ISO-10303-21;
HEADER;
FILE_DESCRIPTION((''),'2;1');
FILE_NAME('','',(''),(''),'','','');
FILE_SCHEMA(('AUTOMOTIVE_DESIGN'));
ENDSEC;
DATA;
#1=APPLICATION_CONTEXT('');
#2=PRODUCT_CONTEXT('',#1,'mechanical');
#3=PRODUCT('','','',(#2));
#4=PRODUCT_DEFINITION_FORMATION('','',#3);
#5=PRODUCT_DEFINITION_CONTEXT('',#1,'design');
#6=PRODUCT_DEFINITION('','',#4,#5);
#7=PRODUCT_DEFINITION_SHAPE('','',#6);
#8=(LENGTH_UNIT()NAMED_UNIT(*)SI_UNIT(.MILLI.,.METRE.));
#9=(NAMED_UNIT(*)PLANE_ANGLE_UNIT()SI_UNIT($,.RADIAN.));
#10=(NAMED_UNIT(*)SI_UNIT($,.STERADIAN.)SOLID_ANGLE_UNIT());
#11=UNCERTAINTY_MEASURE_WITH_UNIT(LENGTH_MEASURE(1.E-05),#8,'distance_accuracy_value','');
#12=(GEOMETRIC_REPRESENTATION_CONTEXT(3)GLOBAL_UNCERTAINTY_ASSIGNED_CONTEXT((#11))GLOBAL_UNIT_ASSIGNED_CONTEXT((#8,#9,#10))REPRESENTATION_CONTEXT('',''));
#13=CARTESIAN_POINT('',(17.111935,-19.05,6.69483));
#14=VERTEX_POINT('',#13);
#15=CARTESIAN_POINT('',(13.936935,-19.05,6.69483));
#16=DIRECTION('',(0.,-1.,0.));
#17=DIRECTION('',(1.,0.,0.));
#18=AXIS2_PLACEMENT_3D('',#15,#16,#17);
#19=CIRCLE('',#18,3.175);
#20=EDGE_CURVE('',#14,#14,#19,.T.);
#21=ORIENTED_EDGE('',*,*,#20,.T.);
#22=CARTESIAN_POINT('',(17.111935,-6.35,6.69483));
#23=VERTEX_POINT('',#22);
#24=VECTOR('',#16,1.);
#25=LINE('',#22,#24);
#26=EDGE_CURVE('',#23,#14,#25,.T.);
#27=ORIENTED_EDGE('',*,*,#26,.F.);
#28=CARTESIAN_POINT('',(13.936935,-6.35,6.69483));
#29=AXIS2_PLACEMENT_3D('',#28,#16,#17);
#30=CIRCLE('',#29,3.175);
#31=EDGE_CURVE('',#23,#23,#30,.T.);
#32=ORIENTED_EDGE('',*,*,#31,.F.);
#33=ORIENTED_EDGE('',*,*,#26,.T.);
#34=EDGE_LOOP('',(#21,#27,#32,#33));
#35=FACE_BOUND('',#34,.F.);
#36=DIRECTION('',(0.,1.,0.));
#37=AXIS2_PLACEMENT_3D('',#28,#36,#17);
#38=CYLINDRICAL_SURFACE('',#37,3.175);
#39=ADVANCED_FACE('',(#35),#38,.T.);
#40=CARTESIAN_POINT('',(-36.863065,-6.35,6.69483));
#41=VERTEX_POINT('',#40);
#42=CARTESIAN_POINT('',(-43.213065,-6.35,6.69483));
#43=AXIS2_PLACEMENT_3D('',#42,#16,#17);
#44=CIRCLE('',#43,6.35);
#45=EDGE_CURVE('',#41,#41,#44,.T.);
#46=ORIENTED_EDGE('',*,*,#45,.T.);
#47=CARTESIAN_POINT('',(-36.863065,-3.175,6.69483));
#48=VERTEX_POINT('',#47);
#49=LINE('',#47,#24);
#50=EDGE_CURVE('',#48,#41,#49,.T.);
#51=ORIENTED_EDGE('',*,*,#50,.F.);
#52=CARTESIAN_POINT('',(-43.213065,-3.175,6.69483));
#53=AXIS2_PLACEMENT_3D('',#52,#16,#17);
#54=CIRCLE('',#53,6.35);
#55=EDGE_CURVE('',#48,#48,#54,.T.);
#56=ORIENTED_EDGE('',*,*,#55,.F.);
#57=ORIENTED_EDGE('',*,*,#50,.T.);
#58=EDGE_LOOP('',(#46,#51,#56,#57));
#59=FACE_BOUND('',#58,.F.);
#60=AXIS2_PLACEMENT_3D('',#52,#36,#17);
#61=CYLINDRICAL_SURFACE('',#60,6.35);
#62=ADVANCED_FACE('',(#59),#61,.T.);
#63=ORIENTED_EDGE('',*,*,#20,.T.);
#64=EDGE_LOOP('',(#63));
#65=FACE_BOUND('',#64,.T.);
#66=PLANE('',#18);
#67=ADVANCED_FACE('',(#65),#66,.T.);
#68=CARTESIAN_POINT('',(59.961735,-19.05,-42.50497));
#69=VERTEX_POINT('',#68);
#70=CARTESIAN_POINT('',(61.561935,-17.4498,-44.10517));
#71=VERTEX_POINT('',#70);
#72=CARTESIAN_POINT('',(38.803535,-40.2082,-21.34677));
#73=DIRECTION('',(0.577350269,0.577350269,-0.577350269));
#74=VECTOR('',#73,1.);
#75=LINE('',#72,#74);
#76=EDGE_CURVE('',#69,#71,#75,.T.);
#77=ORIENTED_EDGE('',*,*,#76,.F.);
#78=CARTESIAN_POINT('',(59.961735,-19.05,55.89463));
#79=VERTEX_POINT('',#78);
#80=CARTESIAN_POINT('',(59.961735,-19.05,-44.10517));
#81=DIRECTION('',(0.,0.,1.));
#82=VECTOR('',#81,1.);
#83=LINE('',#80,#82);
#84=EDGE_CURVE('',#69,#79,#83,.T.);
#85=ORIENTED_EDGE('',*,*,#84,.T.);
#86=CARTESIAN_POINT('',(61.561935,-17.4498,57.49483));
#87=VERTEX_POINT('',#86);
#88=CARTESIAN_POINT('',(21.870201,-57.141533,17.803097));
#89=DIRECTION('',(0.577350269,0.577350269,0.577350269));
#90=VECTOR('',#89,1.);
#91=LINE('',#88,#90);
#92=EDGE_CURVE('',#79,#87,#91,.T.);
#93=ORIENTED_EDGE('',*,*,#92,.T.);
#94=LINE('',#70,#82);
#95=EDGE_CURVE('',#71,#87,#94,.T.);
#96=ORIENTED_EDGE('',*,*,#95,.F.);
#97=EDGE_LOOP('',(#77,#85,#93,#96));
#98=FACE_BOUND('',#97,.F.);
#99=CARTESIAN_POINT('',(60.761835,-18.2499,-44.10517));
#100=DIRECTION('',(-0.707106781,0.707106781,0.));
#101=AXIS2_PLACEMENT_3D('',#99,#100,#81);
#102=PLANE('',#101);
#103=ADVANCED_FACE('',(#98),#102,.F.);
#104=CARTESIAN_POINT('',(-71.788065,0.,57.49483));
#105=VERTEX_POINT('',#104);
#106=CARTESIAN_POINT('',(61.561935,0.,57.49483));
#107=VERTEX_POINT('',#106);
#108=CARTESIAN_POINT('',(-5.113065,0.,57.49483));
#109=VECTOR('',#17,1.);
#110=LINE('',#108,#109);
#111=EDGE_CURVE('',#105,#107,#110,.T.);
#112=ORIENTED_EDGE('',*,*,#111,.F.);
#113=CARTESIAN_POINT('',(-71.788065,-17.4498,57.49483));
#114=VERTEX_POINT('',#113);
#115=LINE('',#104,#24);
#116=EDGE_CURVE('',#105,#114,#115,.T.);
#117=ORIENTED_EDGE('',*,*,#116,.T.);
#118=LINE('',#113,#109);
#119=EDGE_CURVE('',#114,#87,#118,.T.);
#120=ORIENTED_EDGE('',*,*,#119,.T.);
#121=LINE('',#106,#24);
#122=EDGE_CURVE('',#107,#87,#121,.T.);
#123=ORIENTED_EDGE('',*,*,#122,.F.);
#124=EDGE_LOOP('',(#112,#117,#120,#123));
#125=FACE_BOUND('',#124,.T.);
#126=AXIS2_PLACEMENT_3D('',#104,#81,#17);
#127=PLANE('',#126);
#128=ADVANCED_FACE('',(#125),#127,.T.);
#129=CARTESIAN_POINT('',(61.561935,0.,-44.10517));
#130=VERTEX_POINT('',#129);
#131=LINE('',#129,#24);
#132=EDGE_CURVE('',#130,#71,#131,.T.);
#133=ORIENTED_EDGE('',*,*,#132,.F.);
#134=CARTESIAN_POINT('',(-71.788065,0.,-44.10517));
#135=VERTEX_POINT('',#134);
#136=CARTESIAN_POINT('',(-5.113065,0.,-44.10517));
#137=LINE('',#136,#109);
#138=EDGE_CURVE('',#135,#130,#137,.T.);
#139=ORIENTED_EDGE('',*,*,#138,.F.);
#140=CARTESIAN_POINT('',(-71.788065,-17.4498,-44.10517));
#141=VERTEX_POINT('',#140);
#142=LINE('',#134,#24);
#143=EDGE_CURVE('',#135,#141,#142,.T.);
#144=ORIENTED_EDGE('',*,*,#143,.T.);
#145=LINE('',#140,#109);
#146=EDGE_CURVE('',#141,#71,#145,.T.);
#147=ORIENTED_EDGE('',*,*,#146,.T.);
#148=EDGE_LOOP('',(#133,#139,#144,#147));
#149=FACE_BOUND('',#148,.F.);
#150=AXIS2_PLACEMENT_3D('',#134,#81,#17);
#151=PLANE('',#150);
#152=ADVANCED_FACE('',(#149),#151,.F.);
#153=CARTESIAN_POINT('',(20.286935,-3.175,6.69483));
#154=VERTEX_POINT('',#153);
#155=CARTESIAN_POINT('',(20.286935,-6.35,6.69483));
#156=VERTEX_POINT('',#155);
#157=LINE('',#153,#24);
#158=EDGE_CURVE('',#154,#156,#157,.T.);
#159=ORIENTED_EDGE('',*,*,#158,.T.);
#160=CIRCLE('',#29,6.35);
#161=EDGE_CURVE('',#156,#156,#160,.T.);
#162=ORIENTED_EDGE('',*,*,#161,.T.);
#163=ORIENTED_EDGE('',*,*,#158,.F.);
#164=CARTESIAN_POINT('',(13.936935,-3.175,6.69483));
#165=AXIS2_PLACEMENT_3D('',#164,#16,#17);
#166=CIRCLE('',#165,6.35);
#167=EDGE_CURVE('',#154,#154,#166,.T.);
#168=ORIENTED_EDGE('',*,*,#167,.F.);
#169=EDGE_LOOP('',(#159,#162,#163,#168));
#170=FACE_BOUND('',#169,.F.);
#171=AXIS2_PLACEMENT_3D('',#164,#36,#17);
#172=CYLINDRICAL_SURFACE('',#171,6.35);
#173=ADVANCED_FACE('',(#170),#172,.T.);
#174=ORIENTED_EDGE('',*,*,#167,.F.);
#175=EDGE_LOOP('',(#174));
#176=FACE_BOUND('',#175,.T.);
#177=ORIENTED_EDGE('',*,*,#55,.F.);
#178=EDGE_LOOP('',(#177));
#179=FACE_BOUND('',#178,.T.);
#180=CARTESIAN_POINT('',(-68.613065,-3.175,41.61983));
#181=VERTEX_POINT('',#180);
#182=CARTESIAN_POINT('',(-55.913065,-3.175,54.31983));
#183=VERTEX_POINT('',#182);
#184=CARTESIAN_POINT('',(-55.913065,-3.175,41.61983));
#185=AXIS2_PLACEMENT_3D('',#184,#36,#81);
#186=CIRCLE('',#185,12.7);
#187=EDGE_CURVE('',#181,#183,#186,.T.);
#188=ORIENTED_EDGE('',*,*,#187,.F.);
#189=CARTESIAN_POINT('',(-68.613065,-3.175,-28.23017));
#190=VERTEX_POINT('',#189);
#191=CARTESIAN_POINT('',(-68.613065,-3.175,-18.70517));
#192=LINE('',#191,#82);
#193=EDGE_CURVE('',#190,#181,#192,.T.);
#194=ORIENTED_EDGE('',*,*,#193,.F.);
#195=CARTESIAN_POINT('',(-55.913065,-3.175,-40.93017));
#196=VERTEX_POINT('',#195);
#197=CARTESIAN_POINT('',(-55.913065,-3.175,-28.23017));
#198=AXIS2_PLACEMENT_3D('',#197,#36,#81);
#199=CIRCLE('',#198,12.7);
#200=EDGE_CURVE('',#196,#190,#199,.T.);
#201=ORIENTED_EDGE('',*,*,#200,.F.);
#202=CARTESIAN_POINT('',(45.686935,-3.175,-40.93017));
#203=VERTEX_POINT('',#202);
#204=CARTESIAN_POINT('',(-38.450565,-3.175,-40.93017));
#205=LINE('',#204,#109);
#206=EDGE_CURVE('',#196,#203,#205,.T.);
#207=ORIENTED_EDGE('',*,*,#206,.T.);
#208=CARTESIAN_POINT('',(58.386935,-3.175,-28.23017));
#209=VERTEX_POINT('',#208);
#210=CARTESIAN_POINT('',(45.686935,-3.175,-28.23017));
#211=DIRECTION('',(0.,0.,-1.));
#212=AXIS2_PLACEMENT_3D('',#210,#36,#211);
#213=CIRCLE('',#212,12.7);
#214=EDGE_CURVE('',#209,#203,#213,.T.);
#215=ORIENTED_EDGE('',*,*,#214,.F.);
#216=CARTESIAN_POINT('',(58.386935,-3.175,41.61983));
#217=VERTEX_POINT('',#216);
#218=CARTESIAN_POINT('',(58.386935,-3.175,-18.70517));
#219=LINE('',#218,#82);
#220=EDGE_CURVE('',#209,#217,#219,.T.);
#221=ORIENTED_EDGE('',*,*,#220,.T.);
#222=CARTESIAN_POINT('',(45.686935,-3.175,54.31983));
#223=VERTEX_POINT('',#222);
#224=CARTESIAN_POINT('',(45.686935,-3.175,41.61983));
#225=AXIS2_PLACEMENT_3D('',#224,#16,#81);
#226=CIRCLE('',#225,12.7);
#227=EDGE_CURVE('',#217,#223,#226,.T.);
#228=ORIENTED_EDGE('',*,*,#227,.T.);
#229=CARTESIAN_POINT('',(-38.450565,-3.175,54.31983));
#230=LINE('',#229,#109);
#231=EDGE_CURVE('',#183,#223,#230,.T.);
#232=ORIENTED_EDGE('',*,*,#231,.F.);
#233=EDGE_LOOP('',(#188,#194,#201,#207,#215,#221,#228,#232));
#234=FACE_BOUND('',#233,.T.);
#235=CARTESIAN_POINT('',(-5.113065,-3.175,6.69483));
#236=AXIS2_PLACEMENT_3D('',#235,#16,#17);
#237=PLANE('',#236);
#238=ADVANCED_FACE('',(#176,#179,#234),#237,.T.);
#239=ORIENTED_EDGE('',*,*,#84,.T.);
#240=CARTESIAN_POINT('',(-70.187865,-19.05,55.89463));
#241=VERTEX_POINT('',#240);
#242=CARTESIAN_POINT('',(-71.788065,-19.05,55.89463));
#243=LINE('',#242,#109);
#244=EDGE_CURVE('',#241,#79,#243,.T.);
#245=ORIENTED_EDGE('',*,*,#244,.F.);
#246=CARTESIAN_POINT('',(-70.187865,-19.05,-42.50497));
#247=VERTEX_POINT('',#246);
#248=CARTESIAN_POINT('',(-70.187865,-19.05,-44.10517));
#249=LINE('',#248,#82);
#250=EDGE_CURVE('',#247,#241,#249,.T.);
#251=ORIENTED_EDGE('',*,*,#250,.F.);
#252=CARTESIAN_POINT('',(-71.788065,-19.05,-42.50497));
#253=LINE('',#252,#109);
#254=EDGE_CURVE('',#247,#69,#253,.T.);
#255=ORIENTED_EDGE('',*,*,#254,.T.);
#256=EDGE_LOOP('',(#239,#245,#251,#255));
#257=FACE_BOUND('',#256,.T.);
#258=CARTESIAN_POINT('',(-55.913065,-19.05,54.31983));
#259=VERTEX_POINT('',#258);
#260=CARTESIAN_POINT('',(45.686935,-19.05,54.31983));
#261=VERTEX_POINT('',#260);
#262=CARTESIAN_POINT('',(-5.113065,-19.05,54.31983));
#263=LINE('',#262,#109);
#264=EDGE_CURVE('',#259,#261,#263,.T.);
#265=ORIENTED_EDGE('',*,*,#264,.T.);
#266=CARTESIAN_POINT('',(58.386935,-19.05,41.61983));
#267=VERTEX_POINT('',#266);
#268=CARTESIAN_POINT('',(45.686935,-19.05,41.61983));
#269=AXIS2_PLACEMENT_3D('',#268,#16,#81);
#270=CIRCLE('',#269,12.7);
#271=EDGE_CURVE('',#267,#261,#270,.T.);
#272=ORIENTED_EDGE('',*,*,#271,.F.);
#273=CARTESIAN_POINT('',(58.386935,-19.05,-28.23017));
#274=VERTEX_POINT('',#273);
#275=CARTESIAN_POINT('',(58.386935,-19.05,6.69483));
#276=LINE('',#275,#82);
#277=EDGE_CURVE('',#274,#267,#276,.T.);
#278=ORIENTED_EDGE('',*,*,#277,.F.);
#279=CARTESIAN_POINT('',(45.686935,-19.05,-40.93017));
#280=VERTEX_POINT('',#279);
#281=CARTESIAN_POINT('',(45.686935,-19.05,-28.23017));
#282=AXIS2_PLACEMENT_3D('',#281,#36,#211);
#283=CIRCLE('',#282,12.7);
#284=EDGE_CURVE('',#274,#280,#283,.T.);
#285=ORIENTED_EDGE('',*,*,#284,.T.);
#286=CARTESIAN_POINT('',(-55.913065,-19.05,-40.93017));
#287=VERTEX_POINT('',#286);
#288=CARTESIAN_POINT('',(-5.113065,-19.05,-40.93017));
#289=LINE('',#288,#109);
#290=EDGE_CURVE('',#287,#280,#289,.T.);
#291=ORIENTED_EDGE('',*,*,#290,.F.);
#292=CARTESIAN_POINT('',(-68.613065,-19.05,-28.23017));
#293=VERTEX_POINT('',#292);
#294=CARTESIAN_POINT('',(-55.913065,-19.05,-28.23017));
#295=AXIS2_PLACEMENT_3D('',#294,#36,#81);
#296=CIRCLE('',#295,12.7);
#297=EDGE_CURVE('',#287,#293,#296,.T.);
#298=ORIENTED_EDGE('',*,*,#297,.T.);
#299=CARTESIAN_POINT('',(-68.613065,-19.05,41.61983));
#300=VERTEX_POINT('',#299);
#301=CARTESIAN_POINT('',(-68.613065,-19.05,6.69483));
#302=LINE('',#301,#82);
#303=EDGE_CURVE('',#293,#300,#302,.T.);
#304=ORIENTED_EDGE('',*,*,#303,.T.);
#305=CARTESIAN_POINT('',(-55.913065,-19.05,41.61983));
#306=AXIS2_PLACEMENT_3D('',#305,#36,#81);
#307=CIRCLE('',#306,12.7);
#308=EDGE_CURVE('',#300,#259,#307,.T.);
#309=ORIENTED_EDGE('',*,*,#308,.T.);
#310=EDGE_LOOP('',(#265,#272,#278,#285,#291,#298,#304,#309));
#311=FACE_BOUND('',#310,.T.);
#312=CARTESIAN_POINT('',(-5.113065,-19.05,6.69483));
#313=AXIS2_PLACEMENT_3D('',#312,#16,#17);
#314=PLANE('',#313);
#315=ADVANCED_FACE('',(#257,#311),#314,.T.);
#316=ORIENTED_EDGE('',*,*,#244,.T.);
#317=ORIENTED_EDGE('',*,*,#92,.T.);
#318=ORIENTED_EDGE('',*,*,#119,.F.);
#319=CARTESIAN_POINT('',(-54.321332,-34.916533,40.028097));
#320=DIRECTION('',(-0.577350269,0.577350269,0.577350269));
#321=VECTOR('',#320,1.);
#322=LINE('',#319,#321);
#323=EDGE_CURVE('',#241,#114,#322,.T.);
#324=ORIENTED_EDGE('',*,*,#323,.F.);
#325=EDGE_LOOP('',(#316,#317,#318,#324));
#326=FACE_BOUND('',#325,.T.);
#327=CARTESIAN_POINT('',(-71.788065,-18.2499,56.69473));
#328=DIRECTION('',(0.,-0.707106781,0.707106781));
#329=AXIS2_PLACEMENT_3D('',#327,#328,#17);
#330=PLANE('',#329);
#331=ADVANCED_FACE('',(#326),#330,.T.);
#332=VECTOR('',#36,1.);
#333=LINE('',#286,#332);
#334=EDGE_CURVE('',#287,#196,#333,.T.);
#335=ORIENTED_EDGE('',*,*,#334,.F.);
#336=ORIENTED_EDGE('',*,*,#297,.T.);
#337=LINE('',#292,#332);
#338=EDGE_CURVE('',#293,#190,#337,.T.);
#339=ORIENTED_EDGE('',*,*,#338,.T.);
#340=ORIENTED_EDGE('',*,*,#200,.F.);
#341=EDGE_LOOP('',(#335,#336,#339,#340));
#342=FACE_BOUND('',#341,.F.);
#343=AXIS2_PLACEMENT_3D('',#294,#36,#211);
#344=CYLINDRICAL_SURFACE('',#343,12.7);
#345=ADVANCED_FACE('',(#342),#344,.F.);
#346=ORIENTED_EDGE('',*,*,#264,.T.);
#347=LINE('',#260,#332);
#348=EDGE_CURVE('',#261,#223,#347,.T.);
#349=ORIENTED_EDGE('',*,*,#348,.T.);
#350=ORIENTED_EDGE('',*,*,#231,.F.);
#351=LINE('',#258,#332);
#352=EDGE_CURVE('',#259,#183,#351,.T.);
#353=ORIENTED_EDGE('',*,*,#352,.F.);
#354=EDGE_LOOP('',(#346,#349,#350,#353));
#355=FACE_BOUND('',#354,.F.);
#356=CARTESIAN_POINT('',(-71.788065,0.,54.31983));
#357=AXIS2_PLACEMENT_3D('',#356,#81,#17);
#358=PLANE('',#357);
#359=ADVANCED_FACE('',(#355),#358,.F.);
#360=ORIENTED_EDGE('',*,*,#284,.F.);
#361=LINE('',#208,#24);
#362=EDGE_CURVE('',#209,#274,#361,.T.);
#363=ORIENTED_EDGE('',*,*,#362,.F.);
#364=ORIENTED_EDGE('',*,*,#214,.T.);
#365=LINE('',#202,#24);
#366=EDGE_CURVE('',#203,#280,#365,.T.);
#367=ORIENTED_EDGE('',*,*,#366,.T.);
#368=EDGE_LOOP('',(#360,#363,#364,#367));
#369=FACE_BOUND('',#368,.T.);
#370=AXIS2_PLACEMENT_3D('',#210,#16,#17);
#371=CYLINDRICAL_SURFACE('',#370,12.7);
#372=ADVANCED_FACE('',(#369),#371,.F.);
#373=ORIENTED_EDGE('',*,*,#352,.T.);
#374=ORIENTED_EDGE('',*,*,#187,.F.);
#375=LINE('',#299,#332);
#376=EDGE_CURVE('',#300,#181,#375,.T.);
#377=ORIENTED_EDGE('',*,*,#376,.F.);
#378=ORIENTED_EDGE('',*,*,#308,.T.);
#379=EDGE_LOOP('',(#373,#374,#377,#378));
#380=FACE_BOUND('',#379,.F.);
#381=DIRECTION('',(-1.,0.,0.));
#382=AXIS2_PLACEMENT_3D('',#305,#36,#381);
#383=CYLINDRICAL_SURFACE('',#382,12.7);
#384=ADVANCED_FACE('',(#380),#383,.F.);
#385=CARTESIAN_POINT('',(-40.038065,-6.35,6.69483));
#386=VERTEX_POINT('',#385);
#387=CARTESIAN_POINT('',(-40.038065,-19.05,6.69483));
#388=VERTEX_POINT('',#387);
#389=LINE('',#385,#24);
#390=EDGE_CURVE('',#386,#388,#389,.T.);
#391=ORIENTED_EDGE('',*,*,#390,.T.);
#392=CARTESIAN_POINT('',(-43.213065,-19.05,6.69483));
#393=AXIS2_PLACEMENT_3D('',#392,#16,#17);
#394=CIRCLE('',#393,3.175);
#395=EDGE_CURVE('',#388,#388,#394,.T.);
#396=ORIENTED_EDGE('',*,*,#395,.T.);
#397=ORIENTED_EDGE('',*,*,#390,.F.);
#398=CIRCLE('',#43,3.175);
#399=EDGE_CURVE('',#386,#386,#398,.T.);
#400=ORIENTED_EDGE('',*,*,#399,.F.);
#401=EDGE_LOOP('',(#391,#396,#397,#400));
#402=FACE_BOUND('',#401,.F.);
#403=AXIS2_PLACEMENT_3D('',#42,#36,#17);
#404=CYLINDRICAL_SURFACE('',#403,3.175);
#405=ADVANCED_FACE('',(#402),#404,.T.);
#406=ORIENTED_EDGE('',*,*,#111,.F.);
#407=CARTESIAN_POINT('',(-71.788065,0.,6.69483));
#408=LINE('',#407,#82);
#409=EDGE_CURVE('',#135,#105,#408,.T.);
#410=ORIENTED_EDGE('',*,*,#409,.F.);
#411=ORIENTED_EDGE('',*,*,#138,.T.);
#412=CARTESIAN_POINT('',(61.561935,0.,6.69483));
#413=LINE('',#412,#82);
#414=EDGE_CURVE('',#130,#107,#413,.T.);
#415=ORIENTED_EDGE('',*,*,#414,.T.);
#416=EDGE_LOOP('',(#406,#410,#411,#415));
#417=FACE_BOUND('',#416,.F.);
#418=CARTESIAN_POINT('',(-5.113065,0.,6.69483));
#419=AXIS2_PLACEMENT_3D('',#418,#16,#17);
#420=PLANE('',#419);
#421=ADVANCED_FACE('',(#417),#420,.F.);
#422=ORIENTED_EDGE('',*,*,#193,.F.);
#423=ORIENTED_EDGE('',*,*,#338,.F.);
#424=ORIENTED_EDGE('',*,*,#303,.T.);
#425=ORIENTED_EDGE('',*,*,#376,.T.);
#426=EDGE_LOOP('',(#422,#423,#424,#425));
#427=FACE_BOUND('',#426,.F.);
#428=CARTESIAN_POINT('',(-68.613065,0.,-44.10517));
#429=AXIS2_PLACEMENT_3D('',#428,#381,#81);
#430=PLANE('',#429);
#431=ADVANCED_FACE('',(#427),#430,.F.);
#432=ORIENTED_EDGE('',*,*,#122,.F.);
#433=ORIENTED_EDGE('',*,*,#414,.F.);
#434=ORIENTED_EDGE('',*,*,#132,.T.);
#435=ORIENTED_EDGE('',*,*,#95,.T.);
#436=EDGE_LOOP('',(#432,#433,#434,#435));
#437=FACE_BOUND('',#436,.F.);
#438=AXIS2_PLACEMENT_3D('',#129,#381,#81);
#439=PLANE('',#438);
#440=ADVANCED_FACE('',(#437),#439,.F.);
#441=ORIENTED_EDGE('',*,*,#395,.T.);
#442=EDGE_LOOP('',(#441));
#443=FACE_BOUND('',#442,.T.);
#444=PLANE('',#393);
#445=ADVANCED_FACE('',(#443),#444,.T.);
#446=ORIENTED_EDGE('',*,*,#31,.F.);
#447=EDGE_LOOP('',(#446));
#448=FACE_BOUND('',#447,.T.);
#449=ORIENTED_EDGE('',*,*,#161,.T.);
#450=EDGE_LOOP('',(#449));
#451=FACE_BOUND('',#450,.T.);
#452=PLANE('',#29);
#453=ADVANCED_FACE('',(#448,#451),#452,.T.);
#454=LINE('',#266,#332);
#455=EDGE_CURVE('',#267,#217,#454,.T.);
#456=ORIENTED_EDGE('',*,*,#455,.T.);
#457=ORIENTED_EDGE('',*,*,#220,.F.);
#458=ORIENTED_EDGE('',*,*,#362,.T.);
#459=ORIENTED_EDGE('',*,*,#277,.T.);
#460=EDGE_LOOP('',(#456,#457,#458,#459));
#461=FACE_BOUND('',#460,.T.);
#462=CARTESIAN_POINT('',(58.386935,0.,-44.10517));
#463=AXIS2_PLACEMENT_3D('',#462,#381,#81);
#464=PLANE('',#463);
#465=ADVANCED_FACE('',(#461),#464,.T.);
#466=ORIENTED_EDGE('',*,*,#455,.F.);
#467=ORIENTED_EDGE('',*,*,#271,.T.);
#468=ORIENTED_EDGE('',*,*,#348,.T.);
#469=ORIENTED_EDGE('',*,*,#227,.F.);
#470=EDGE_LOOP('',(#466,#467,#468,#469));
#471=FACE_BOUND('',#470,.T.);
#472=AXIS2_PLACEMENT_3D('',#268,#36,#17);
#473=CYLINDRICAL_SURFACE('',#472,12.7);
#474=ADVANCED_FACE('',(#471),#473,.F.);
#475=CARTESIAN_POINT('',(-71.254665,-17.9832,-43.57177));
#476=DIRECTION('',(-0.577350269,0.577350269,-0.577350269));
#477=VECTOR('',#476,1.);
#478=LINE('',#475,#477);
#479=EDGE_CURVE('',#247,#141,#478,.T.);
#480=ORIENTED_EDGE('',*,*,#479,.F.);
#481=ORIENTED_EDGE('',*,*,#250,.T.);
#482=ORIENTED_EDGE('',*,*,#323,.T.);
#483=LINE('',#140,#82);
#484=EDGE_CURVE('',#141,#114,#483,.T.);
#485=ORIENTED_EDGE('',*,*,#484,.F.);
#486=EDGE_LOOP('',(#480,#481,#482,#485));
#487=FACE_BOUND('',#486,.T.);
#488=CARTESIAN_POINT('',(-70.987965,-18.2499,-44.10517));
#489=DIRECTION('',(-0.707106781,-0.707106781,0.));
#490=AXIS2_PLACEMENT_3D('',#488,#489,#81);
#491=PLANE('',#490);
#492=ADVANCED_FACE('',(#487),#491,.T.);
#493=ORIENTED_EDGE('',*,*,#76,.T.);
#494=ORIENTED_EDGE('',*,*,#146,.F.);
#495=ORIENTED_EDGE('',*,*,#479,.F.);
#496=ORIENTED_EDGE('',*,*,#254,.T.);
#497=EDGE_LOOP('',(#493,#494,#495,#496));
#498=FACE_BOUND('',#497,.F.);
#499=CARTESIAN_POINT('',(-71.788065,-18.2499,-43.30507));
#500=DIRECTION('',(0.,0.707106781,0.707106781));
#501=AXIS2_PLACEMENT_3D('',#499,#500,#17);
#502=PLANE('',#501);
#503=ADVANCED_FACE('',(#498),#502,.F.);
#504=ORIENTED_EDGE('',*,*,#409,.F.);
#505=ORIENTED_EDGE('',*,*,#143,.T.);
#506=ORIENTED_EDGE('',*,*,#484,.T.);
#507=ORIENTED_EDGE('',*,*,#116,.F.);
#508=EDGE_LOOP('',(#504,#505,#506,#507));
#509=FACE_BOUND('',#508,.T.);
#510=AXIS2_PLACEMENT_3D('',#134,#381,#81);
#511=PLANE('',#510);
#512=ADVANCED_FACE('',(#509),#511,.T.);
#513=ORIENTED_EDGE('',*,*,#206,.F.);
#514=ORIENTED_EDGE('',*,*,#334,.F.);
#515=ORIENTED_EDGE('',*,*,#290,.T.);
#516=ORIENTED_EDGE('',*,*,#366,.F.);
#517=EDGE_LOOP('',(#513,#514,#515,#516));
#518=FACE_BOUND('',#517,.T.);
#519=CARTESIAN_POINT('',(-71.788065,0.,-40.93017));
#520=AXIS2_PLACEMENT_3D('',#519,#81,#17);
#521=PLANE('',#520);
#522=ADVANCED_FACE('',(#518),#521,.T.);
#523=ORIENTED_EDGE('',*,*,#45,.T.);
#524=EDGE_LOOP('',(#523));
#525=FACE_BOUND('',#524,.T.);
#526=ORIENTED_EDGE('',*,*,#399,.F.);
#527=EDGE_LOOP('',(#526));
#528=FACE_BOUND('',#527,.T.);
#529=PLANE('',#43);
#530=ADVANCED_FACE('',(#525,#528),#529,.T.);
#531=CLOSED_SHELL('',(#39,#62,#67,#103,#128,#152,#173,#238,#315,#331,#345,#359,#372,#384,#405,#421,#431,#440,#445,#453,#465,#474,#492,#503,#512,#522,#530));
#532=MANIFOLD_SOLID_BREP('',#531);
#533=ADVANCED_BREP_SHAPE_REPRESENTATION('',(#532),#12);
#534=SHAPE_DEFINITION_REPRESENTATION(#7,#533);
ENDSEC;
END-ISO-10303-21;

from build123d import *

# Parameters (mm, degrees)
F0_W     = 133.35
F0_H     = 101.6
F1_DEPTH = 19.05
F2_T     = -3.175
F3_R     = 6.35
F4_DEPTH = 3.175
F5_R     = 3.175
F6_DEPTH = 12.7
F7_R     = 3.175
F8_DEPTH = 12.7
F9_R     = 12.7
F10_SIZE = 1.6002


with BuildPart() as f1:
    # F0 (on Front) → F1 (new body)
    with BuildSketch(Plane.XZ):
        with Locations((-5.1130652428, 6.6948301531)):
            Rectangle(F0_W, F0_H)
    extrude(amount=F1_DEPTH)

    # F2
    f2_openings = [f1.faces().sort_by_distance(p)[0] for p in [
        (-5.113065, -19.05, 6.69483),
    ]]
    offset(amount=F2_T, openings=f2_openings)

    # F3 (on face) → F4 (join)
    with BuildSketch(Plane.XZ.offset(3.175)):
        with Locations((-43.2130652428, 6.6948301531)):
            Circle(F3_R)
        with Locations((13.9369347572, 6.6948301531)):
            Circle(F3_R)
    extrude(amount=F4_DEPTH)

    # F5 (on face) → F6 (join)
    with BuildSketch(Plane.XZ.offset(6.35)):
        with Locations((-43.2130652428, 6.6948301531)):
            Circle(F5_R)
    extrude(amount=F6_DEPTH)

    # F7 (on face) → F8 (join)
    with BuildSketch(Plane.XZ.offset(6.35)):
        with Locations((13.9369347572, 6.6948301531)):
            Circle(F7_R)
    extrude(amount=F8_DEPTH)

    # F9
    f9_edges = [f1.edges().sort_by_distance(p)[0] for p in [
        (-68.613065, -11.1125, -40.93017),
        (58.386935, -11.1125, -40.93017),
        (-68.613065, -11.1125, 54.31983),
        (58.386935, -11.1125, 54.31983),
    ]]
    fillet(f9_edges, radius=F9_R)

    # F10
    f10_edges = [f1.edges().sort_by_distance(p)[0] for p in [
        (61.561935, -19.05, 6.69483),
        (-5.113065, -19.05, -44.10517),
        (-71.788065, -19.05, 6.69483),
        (-5.113065, -19.05, 57.49483),
    ]]
    chamfer(f10_edges, length=F10_SIZE)


solid = f1.part
